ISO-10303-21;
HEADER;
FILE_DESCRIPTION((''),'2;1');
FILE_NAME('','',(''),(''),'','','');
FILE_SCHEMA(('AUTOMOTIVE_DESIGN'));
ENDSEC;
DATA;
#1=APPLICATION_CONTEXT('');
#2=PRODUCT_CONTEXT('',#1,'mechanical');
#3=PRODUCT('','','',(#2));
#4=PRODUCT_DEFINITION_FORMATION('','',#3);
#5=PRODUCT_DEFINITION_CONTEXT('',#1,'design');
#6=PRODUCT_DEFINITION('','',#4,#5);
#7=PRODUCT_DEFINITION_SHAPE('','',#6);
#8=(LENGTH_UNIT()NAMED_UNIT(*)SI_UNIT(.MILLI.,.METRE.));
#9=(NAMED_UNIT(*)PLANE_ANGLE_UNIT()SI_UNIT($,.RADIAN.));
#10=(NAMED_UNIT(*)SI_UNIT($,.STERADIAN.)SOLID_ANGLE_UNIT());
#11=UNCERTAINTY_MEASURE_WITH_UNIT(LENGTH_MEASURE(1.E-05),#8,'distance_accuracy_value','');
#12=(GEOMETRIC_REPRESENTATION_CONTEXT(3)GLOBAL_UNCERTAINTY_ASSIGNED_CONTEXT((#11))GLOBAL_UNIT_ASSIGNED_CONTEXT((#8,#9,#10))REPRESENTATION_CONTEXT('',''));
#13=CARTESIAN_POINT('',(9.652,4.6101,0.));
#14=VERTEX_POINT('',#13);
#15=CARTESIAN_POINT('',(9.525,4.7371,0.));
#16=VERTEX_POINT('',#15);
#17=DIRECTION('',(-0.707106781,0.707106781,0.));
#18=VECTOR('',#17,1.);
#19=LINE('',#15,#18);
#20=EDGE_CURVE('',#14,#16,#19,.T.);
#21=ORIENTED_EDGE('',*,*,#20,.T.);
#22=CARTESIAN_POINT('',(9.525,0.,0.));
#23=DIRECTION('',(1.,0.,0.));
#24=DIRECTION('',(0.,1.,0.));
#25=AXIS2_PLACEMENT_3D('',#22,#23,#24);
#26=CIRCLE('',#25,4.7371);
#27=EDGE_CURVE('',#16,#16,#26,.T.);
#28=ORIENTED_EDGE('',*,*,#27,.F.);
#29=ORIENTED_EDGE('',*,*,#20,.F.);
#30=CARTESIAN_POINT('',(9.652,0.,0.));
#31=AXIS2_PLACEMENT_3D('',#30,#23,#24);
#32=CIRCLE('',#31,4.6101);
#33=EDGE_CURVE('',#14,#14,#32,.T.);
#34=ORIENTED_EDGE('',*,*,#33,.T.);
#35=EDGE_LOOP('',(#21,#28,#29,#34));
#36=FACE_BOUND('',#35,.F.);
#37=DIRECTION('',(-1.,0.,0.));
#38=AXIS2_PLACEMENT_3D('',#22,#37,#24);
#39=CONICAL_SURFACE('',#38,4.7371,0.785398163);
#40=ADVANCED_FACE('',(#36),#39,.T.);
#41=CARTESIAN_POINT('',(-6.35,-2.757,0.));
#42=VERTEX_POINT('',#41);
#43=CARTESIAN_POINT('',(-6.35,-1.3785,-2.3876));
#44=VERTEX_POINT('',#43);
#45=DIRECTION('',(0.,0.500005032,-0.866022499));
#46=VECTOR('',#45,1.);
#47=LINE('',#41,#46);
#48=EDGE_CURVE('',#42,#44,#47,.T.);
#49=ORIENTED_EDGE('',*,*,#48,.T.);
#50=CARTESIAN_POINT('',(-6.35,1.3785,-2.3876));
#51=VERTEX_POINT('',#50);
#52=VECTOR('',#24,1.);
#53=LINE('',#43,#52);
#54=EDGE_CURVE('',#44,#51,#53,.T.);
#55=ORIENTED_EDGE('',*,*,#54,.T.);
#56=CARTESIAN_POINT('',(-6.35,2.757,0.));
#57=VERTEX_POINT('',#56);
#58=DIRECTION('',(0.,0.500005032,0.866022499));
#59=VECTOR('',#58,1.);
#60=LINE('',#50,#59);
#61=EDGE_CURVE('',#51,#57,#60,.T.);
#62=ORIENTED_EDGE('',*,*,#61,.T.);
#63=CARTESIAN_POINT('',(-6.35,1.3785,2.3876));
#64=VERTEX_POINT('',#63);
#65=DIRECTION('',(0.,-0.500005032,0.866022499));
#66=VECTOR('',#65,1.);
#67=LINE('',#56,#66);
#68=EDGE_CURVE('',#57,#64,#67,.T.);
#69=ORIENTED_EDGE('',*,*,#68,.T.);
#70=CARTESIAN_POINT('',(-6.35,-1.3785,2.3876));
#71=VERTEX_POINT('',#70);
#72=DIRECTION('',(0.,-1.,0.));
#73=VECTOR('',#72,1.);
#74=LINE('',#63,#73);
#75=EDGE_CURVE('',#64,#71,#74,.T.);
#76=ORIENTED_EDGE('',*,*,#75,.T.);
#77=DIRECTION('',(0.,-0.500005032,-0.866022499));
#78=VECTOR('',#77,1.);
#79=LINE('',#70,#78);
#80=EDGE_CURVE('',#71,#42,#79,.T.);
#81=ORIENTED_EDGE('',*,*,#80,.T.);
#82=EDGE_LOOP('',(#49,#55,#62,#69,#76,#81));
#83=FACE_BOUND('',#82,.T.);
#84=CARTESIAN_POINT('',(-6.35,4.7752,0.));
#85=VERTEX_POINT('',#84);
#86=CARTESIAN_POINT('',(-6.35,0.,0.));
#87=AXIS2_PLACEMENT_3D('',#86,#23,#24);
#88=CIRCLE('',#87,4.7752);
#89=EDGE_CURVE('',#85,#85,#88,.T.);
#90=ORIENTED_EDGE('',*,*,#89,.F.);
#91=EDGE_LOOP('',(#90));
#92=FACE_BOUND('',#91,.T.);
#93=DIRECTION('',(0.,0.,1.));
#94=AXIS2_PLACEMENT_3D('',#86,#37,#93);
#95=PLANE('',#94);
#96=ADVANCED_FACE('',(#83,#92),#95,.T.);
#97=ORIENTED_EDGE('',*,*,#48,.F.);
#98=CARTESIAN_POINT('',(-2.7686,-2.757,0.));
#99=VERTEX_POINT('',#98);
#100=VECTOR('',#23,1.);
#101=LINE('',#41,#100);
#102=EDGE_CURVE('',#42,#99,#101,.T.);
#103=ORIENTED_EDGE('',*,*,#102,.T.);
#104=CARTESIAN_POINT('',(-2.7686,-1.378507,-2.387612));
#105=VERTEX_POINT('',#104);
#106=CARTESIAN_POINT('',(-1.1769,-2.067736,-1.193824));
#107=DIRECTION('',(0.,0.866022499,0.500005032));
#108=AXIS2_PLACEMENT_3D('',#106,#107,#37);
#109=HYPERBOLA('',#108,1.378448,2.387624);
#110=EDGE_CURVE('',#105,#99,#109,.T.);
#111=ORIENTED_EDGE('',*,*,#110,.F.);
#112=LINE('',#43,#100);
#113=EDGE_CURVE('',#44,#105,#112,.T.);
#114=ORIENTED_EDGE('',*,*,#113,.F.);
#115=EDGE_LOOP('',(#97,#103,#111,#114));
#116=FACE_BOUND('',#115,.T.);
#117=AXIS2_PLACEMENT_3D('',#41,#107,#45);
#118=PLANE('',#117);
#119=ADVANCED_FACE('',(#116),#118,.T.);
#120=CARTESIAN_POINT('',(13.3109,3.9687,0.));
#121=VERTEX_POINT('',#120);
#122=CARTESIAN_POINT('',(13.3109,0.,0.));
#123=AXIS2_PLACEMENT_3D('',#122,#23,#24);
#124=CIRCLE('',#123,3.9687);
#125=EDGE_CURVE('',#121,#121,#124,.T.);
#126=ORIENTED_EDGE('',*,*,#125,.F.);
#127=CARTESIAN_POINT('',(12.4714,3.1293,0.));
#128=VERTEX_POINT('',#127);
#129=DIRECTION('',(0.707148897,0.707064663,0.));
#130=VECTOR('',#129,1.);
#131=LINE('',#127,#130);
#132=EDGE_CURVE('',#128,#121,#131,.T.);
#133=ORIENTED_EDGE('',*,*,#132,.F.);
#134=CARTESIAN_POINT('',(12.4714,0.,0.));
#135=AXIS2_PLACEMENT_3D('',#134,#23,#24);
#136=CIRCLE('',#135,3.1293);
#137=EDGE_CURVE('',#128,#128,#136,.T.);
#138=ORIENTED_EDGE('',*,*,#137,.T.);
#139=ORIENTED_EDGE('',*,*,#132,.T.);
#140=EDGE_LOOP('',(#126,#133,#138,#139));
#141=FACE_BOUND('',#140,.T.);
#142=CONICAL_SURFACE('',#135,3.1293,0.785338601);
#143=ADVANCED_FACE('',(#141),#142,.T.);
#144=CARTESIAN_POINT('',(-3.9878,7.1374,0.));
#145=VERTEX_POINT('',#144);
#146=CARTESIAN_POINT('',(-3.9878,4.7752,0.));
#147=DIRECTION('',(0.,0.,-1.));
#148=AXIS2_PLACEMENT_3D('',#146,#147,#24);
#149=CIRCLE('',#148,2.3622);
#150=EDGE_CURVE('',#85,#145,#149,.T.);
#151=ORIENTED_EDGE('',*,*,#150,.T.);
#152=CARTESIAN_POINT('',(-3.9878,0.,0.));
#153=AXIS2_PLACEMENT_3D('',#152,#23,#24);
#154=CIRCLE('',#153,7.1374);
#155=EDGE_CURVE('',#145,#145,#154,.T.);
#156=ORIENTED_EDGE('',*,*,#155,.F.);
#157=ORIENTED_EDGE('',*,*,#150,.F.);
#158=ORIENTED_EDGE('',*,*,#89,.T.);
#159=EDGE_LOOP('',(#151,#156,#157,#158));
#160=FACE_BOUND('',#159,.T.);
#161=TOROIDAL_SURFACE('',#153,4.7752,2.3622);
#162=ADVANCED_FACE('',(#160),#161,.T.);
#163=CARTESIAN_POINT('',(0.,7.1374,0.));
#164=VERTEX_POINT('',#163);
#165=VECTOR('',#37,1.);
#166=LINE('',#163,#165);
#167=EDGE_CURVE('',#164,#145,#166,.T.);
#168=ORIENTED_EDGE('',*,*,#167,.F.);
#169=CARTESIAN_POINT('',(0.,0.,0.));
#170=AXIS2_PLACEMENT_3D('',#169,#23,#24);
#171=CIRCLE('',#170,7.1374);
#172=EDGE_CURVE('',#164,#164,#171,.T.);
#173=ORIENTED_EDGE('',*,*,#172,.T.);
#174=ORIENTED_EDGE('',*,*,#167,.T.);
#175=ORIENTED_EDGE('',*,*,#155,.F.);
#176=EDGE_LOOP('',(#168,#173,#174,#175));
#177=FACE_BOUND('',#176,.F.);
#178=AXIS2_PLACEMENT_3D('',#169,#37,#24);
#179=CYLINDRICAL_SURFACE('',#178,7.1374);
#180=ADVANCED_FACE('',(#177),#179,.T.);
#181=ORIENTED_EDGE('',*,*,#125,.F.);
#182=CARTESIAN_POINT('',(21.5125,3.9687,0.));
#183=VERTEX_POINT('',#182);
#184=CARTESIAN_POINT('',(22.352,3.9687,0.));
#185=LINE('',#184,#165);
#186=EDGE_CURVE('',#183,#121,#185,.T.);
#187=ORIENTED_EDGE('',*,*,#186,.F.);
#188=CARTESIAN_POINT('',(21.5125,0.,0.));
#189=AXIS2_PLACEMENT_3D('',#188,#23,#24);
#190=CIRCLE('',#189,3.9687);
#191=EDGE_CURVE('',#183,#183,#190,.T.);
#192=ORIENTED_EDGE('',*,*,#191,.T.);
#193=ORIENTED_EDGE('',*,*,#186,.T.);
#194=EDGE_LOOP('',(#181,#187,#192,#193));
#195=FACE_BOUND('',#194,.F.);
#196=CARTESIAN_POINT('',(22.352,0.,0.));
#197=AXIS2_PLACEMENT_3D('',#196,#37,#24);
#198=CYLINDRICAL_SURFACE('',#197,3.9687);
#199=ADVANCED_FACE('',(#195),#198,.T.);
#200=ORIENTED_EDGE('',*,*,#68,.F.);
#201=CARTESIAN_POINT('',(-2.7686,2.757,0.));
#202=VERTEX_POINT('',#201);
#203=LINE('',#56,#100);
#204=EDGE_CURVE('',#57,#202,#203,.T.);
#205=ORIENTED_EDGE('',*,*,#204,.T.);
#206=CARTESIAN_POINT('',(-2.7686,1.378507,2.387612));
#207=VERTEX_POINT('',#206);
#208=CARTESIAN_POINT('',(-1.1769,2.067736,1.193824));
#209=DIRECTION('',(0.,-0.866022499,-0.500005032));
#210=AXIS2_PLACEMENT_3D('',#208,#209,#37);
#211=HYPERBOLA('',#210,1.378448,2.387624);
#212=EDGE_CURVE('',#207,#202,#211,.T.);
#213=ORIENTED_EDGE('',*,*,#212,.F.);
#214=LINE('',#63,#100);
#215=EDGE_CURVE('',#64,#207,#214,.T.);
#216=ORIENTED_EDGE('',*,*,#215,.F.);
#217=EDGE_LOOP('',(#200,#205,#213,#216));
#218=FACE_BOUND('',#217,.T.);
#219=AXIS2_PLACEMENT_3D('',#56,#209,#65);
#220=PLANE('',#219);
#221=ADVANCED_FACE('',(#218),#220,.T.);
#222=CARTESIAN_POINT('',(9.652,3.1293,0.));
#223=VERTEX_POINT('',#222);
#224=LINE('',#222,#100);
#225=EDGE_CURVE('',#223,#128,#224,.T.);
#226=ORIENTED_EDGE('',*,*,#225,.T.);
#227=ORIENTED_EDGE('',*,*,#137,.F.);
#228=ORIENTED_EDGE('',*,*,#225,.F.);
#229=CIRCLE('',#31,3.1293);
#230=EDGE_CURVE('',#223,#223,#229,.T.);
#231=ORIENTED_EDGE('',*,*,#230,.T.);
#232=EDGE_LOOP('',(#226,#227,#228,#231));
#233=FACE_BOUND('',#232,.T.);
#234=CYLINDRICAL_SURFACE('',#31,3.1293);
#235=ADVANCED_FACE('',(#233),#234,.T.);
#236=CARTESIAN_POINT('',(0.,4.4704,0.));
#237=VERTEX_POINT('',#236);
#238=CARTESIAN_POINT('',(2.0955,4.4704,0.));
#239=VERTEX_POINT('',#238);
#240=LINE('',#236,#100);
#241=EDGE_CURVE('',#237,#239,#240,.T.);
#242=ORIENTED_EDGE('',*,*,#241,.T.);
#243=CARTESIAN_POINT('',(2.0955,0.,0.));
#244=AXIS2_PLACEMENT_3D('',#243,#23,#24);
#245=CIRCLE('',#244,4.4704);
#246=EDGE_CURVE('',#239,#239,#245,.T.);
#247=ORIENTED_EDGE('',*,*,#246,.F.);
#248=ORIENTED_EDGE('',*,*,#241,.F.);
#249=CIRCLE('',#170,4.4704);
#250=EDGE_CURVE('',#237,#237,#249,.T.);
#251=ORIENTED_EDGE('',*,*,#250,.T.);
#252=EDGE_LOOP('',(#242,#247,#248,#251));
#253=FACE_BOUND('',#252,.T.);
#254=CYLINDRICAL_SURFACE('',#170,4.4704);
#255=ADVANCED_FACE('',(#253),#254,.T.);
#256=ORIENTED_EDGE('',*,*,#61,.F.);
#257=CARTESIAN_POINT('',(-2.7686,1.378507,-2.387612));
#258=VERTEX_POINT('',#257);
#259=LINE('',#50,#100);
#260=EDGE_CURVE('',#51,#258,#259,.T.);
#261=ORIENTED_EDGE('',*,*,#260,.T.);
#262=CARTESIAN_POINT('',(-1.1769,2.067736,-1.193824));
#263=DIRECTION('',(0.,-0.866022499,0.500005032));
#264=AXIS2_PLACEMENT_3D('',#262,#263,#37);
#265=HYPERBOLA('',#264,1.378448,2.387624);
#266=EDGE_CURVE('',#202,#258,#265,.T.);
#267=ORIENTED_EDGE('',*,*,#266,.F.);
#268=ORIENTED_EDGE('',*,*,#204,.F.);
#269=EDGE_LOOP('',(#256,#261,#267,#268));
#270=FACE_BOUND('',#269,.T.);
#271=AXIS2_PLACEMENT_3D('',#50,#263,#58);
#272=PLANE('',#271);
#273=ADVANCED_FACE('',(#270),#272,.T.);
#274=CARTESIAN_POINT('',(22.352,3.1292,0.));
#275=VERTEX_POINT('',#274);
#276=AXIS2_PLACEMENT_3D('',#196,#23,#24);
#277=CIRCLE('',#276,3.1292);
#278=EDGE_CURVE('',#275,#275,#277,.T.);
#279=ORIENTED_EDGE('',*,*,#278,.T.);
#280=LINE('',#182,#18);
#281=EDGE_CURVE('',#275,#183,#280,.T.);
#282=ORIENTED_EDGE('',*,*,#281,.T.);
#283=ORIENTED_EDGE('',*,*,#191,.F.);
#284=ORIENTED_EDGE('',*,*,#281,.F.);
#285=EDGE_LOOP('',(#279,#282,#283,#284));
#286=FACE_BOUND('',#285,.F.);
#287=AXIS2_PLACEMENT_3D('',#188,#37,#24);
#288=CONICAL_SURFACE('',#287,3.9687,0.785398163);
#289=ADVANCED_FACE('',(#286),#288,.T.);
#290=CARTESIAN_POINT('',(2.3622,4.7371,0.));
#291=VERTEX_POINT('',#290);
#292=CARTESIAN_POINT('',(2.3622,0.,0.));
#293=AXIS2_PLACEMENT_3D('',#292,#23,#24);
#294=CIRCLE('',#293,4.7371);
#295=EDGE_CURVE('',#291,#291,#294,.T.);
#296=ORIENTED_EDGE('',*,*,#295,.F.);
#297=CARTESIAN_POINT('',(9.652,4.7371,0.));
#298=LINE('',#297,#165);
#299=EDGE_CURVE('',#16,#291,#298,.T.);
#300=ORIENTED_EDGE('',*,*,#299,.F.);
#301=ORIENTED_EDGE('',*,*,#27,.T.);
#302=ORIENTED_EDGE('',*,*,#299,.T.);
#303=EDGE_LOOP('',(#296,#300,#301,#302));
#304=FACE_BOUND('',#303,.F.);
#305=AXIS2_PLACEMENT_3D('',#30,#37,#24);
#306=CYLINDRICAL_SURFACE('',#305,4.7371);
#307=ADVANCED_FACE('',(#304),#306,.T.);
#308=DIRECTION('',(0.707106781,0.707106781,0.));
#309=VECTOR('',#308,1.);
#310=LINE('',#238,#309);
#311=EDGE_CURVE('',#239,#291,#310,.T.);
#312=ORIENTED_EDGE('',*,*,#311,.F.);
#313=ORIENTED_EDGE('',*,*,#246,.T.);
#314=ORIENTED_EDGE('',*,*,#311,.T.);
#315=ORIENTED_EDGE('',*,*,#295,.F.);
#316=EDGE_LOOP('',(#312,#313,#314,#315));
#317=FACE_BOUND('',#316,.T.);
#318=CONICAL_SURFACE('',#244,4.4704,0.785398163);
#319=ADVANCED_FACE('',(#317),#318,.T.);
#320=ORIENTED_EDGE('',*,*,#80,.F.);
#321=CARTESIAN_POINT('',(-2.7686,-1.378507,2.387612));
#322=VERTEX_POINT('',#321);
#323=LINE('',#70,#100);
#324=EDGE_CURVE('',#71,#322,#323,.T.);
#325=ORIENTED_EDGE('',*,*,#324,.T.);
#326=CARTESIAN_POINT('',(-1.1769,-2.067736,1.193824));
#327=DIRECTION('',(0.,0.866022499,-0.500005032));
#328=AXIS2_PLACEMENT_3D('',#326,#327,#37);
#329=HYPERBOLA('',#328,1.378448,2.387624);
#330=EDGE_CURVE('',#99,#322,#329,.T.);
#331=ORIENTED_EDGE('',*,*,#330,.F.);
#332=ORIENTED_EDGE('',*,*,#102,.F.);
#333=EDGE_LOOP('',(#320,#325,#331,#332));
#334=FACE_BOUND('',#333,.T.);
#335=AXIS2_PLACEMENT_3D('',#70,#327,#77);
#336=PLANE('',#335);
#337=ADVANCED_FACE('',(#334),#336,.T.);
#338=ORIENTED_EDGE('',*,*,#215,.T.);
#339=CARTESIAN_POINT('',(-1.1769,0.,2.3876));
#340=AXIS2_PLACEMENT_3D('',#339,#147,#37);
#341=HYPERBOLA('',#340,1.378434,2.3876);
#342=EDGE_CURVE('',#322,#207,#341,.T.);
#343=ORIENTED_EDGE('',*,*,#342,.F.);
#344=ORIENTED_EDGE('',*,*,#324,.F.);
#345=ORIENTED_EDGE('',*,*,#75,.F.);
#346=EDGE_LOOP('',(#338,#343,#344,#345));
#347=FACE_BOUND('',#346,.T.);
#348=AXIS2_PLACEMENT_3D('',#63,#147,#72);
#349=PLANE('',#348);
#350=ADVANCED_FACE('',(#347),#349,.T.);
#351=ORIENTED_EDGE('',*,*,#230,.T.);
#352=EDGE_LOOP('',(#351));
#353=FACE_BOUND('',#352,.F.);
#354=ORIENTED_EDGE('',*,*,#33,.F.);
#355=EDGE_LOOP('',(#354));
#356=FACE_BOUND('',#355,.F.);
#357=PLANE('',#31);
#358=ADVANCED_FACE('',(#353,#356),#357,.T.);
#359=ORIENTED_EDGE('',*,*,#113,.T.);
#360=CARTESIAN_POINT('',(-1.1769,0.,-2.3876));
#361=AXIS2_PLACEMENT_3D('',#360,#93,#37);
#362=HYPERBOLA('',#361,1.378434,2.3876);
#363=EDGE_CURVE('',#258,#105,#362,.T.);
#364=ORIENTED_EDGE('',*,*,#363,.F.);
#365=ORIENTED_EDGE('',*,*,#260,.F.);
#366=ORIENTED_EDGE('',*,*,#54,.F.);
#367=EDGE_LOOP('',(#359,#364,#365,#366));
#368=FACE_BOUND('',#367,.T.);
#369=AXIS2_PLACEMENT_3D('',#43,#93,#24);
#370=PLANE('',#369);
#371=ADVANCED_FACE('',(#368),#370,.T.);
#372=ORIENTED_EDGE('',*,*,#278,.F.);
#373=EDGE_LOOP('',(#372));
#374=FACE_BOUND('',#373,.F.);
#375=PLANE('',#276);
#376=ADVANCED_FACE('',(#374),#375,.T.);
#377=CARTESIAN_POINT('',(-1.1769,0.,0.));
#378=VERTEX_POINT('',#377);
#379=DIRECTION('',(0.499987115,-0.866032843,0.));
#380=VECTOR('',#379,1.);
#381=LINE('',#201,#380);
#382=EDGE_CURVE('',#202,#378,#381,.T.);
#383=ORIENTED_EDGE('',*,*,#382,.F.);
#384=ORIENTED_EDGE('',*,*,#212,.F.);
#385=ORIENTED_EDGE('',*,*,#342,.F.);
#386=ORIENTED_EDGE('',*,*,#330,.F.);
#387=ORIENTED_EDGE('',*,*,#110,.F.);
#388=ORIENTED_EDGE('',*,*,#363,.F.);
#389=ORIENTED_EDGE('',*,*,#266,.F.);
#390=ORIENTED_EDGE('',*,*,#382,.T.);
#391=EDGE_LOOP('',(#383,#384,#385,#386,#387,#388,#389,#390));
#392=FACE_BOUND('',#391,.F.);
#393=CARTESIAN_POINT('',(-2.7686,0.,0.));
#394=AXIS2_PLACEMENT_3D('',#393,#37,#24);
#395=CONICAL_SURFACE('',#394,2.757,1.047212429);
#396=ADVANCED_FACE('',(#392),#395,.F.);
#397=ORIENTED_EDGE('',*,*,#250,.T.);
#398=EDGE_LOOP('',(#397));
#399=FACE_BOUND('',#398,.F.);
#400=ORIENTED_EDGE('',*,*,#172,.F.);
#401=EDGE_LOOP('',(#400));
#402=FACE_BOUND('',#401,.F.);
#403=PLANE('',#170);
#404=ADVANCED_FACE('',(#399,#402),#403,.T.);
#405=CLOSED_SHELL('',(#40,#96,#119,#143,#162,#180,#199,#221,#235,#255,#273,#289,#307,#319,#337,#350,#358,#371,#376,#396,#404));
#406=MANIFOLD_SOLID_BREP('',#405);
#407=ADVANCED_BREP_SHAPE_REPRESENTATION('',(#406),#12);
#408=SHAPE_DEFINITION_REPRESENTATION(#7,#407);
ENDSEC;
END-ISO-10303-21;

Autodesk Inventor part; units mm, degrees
ref_plane "YZ Plane" through (0, 0, 0) normal (1, 0, 0) x (0, 1, 0)
ref_plane "XZ Plane" through (0, 0, 0) normal (0, 1, 0) x (-1, 0, 0)
ref_plane "XY Plane" through (0, 0, 0) normal (0, 0, 1) x (1, 0, 0)
sketch "Sketch1" plane through (0, 0, 0) normal (0, 0, 1) x (1, 0, 0)
  line L0 (-1.1769, 0) -> (22.352, 0)
  line L1 (22.352, 0) -> (22.352, 3.9687)
  line L2 (22.352, 3.9687) -> (9.652, 3.9687)
  line L3 (9.652, 3.9687) -> (9.652, 4.7371)
  line L4 (9.652, 4.7371) -> (0, 4.7371)
  line L5 (0, 4.7371) -> (0, 7.1374)
  line L6 (0, 7.1374) -> (-6.35, 7.1374)
  line L7 (-6.35, 7.1374) -> (-6.35, 2.757)
  line L8 (-6.35, 2.757) -> (-2.7686, 2.757)
  line L9 (-2.7686, 2.757) -> (-1.1769, 0)
  line L10 (-12.0904, 0) -> (28.0924, 0) projected
  line L11 (0, -1.4275) -> (0, 8.5649) projected
  line L12 (0, 4.4704) -> (2.0955, 4.4704)
  line L13 (2.0955, 4.4704) -> (2.3622, 4.7371)
  line L14 (9.652, 3.9687) -> (9.652, 3.1293)
  line L15 (9.652, 3.1293) -> (12.4714, 3.1293)
  line L16 (12.4714, 3.1293) -> (13.3109, 3.9687)
  line L17 (0, 4.4704) -> (0, 4.7371)
  dimension "d0" = 7.9375
  dimension "d1" = 9.4742
  dimension "d2" = 14.2748
  dimension "d3" = 5.5139
  dimension "d5" = 12.7
  dimension "d6" = 6.35
  dimension "d7" = 3.5814
  dimension "d8" = 60
  dimension "d9" = 22.352
  dimension "d19" = 45
  dimension "d20" = 8.9408
  dimension "d21" = 6.2586
  dimension "d22" = 45
  dimension "d23" = 2.8194
  dimension "d34" = 2.3622
revolve "Body" add sketch "Sketch1" angle 360 about axis through (-1.1769, 0, 0) along (1, 0, 0)
sketch "Sketch2" plane through (-6.35, 0, 0) normal (-1, 0, 0) x (0, 0, 1)
  circle A0 centre (0, 0) radius 2.757 projected
  line L0 (0, 2.757) -> (2.3876, 1.3785)
  line L1 (2.3876, 1.3785) -> (2.3876, -1.3785)
  line L2 (2.3876, -1.3785) -> (0, -2.757)
  line L3 (0, -2.757) -> (-2.3876, -1.3785)
  line L4 (-2.3876, -1.3785) -> (-2.3876, 1.3785)
  line L5 (-2.3876, 1.3785) -> (0, 2.757)
extrude "Slot" add sketch "Sketch2" against normal up to next contours A0 L1 | L0 A0 | A0 L2 | L5 A0 | A0 L3 | L4 A0
fillet "Fillet1" radius 2.3622 1 edges at (-6.35, -7.1374, 0)
thread "Thread" size "5/16-18 UNC" class "2A" standard "ANSI Unified Screw Threads" length 12.7
chamfer "Chamfer1" distance 0.8395 distance2 0.8395 1 edges at (22.352, -3.9687, 0) measured on face at (22.352, 0.1595, 1.1606)
chamfer "Chamfer2" distance 0.127 angle 45 1 edges at (9.652, -4.7371, 0) measured on face at (9.652, 4.3967, -0.6945)
revolve "Groove1" cut sketch "Sketch1" angle 360 about axis through (-1.1769, 0, 0) along (1, 0, 0) contours L11 L4 L13 L12
revolve "Groove2" cut sketch "Sketch1" angle 360 about axis through (-1.1769, 0, 0) along (1, 0, 0) contours L16 L15 L14 L2
equation "\"d0\" = NND"
equation "\"d1\" = BDM"
equation "\"d2\" = KOD"
equation "\"d3\" = 1.1547 * SW"
equation "\"d5\" = GEL"
equation "\"d6\" = KOH"
equation "\"d7\" = INTI + LOTI"
equation "\"d8\" = 0.5 * ANG"
equation "\"d9\" = NLG"
equation "\"d19\" = FAWI4"
equation "\"d20\" = BDMM"
equation "\"d21\" = GD1"
equation "\"d22\" = FAWI2"
equation "\"d23\" = GAL"
equation "\"d34\" = GAL2"
equation "\"d13\" = RR"
equation "\"d25\" = GEL"
equation "\"d14\" = -0.5 * SPD + 0.5 * NND"
equation "\"d15\" = GUL"
equation "\"d32\" = -0.5 * NND + 0.5 * BDM"
equation "\"NND\" = 7.9375"
equation "\"NLG\" = 22.352"
equation "\"GEL\" = 12.7"
equation "\"KOD\" = 14.2748"
equation "\"KOH\" = 6.35"
equation "\"INTI\" = 3.5814"
equation "\"GAL\" = 2.8194"
equation "\"GUL\" = 0.83947"
equation "\"SPD\" = GD1"
equation "\"BDM\" = 9.4742"
equation "\"ANG\" = 120deg"
equation "\"FAWI2\" = 45deg"
equation "\"FAWI3\" = 45deg"
equation "\"FAWI4\" = 45deg"
equation "\"RR\" = 2.3622"
equation "\"SW\" = 4.7752"
equation "\"BDMM\" = 8.9408"
equation "\"GAL2\" = RR"
equation "\"LOTI\" = 0"
equation "\"GD1\" = 6.25856"
equation "\"BOR\" = SW"
equation "\"SLG\" = 9.652"
equation "\"THREADDIA\" = 7.9375"
equation "\"E0\" = 1.155 * SW"
equation "\"FAWI1\" = 45deg"
equation "\"TOA\" = 30deg"
equation "\"PHH\" = RR"
equation "\"HHPTC\" = 1.41122"
equation "\"GD0\" = 6.0198"
equation "\"KOH1\" = 5.3086"
equation "\"BDMN\" = 9.525"
properties part number "ANSI B18.3 - 0.375 x 0.38 ANSI B18.3" material "Steel, Mild"
